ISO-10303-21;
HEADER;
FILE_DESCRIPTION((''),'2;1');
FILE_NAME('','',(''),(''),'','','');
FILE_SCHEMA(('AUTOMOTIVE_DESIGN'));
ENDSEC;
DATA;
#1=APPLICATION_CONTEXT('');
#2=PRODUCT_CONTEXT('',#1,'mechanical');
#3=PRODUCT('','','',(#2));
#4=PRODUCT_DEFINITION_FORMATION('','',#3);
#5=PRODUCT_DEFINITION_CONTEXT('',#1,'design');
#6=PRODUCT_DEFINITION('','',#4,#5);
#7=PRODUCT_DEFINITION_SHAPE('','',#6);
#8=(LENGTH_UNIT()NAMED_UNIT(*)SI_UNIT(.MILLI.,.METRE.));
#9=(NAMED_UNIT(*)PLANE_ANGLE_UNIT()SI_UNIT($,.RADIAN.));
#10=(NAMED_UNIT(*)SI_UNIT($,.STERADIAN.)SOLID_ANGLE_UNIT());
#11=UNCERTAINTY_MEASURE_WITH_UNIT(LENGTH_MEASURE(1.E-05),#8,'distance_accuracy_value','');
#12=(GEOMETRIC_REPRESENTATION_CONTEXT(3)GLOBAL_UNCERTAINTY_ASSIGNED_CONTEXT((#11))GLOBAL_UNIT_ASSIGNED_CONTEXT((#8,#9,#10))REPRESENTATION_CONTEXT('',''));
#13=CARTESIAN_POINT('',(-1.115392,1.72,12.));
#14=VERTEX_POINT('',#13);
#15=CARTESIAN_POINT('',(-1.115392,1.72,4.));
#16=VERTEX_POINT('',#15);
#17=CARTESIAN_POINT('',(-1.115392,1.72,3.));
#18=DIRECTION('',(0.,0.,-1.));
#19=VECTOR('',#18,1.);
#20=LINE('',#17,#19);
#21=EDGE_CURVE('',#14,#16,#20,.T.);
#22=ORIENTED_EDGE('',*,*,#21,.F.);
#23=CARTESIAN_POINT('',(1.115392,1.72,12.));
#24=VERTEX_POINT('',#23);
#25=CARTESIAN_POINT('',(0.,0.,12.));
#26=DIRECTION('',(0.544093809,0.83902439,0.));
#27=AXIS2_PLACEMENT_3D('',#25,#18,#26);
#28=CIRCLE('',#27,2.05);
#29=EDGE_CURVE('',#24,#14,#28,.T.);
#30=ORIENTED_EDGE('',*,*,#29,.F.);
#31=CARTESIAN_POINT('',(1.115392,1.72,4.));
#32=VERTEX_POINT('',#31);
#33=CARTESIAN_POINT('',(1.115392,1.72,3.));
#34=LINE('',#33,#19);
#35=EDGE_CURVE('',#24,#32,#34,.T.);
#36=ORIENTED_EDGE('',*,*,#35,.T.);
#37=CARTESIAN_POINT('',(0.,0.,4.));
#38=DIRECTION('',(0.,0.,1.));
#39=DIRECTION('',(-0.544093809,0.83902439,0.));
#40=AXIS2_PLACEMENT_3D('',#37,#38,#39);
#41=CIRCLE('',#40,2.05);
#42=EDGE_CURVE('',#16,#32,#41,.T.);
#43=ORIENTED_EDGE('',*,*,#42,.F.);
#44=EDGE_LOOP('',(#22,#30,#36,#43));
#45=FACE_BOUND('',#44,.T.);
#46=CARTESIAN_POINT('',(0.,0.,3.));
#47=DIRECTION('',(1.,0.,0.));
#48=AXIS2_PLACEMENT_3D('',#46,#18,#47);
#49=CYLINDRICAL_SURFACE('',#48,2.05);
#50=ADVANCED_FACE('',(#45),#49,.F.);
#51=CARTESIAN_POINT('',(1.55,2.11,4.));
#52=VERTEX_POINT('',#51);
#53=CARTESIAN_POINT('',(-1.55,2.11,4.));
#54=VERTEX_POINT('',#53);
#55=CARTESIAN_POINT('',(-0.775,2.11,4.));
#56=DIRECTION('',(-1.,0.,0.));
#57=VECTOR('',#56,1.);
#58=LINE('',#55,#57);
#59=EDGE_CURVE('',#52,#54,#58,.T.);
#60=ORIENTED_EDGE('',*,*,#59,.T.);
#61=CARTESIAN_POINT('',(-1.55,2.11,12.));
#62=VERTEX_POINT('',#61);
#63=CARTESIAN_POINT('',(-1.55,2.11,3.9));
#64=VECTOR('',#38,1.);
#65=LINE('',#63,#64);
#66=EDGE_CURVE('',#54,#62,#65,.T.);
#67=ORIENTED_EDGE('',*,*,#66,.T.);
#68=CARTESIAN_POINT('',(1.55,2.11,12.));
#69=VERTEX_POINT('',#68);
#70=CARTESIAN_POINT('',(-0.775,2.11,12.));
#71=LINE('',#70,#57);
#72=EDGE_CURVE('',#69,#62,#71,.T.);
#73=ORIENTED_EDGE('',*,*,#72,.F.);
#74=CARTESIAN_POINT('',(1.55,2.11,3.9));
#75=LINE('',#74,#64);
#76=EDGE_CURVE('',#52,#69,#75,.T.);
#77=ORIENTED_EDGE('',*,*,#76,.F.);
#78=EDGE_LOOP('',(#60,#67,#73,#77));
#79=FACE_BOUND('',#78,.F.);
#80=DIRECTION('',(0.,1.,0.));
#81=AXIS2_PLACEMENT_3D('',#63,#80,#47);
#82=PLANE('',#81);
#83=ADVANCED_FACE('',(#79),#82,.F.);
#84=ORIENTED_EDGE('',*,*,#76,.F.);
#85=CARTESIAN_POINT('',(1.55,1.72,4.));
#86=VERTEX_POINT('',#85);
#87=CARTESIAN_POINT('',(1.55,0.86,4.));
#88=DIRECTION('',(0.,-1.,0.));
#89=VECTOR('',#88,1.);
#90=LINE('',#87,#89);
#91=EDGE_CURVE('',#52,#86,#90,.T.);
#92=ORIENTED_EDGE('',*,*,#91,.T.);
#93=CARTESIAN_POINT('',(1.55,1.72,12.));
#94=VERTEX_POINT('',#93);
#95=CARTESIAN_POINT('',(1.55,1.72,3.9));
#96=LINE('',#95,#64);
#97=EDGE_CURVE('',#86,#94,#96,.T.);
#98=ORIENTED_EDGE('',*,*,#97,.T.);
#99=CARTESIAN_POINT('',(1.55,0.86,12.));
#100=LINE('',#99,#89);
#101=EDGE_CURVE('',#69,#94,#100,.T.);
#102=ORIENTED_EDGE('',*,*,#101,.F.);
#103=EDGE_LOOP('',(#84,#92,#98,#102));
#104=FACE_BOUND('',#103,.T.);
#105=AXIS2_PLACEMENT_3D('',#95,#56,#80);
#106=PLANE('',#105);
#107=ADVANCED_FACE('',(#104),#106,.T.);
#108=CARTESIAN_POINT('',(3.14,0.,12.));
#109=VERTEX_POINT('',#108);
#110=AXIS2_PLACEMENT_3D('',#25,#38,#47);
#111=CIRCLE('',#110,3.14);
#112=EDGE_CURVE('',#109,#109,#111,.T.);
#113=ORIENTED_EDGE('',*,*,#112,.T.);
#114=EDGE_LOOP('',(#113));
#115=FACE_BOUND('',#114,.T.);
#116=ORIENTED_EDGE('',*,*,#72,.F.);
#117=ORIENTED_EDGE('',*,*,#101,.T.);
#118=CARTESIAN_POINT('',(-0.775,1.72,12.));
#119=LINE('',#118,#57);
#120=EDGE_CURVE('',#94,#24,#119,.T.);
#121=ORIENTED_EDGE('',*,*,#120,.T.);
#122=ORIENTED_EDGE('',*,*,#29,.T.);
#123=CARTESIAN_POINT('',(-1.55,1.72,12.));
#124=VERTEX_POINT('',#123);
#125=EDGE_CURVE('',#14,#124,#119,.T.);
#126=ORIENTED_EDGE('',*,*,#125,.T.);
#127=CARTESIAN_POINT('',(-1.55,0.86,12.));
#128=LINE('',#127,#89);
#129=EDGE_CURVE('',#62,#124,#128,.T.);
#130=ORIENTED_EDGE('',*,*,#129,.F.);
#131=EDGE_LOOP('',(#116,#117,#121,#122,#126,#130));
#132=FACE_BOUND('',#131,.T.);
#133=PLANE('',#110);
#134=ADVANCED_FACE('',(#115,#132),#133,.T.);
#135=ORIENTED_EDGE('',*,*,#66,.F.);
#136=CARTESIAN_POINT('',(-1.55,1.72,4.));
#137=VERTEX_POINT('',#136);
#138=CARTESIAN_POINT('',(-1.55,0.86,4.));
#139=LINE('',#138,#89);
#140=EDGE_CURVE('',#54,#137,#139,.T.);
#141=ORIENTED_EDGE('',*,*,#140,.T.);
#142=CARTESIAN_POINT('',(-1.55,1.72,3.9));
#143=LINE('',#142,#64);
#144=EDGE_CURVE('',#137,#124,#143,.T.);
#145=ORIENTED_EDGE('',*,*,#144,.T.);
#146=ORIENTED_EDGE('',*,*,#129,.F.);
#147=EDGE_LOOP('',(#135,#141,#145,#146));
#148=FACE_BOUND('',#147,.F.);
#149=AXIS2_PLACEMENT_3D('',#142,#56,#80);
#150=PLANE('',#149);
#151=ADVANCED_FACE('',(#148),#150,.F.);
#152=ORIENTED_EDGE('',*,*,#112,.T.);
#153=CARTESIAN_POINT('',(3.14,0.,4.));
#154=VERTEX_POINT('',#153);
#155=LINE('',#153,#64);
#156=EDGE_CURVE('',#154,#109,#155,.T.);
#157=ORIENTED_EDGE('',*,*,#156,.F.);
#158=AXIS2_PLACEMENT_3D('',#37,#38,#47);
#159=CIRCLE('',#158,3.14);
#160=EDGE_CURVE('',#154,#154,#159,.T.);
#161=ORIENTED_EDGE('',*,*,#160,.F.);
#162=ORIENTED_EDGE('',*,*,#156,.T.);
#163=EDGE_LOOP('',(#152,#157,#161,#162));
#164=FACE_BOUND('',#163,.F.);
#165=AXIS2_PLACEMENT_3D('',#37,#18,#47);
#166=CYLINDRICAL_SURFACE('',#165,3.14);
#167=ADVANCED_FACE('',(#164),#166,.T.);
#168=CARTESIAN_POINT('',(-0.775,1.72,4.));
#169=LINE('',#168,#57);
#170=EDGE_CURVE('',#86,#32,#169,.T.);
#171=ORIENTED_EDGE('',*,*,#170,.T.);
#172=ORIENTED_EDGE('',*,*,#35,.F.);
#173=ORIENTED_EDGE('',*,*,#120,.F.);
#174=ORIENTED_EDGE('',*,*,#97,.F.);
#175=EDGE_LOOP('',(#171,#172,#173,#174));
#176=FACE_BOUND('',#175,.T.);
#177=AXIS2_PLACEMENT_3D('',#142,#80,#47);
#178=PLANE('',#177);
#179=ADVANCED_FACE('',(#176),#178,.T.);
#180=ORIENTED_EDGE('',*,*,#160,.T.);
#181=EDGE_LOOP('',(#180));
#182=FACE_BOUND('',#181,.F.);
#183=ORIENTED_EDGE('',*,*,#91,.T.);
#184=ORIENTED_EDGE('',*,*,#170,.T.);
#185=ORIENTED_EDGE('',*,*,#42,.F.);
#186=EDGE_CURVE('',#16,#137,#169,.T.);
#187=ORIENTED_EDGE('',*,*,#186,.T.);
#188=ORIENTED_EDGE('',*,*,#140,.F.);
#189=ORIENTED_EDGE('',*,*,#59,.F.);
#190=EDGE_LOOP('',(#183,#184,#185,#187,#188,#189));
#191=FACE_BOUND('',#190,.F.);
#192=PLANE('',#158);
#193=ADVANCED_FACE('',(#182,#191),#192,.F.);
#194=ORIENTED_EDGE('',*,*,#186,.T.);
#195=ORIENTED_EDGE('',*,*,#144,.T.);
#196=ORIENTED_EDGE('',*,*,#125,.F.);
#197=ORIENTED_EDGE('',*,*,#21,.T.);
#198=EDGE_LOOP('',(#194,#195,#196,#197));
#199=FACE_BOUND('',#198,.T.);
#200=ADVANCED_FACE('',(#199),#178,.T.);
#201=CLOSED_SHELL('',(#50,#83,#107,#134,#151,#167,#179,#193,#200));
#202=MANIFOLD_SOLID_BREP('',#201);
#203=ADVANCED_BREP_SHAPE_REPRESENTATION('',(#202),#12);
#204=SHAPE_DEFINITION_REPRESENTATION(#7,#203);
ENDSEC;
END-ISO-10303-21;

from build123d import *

# Parameters (mm, degrees)
CYLINDER002_R     = 3.14
CYLINDER002_DEPTH = 8
CYLINDER003_R     = 2.05
CYLINDER003_DEPTH = 14
BOX002_W          = 3.1
BOX002_H          = 0.39
BOX002_DEPTH      = 8.2


with BuildPart() as part:
    # Cylinder002 → Cylinder002 (join)
    with BuildSketch(Plane.XY.offset(4)):
        Circle(CYLINDER002_R)
    extrude(amount=CYLINDER002_DEPTH)

    # Cylinder003 → Cylinder003 (cut)
    with BuildSketch(Plane.XY.offset(3)):
        Circle(CYLINDER003_R)
    extrude(amount=CYLINDER003_DEPTH, mode=Mode.SUBTRACT)

    # Box002 → Box002 (cut)
    with BuildSketch(Plane(origin=(-1.55, 1.72, 3.9), x_dir=(1, 0, 0), z_dir=(0, 0, 1))):
        with Locations((1.55, 0.195)):
            Rectangle(BOX002_W, BOX002_H)
    extrude(amount=BOX002_DEPTH, mode=Mode.SUBTRACT)


solid = part.part
